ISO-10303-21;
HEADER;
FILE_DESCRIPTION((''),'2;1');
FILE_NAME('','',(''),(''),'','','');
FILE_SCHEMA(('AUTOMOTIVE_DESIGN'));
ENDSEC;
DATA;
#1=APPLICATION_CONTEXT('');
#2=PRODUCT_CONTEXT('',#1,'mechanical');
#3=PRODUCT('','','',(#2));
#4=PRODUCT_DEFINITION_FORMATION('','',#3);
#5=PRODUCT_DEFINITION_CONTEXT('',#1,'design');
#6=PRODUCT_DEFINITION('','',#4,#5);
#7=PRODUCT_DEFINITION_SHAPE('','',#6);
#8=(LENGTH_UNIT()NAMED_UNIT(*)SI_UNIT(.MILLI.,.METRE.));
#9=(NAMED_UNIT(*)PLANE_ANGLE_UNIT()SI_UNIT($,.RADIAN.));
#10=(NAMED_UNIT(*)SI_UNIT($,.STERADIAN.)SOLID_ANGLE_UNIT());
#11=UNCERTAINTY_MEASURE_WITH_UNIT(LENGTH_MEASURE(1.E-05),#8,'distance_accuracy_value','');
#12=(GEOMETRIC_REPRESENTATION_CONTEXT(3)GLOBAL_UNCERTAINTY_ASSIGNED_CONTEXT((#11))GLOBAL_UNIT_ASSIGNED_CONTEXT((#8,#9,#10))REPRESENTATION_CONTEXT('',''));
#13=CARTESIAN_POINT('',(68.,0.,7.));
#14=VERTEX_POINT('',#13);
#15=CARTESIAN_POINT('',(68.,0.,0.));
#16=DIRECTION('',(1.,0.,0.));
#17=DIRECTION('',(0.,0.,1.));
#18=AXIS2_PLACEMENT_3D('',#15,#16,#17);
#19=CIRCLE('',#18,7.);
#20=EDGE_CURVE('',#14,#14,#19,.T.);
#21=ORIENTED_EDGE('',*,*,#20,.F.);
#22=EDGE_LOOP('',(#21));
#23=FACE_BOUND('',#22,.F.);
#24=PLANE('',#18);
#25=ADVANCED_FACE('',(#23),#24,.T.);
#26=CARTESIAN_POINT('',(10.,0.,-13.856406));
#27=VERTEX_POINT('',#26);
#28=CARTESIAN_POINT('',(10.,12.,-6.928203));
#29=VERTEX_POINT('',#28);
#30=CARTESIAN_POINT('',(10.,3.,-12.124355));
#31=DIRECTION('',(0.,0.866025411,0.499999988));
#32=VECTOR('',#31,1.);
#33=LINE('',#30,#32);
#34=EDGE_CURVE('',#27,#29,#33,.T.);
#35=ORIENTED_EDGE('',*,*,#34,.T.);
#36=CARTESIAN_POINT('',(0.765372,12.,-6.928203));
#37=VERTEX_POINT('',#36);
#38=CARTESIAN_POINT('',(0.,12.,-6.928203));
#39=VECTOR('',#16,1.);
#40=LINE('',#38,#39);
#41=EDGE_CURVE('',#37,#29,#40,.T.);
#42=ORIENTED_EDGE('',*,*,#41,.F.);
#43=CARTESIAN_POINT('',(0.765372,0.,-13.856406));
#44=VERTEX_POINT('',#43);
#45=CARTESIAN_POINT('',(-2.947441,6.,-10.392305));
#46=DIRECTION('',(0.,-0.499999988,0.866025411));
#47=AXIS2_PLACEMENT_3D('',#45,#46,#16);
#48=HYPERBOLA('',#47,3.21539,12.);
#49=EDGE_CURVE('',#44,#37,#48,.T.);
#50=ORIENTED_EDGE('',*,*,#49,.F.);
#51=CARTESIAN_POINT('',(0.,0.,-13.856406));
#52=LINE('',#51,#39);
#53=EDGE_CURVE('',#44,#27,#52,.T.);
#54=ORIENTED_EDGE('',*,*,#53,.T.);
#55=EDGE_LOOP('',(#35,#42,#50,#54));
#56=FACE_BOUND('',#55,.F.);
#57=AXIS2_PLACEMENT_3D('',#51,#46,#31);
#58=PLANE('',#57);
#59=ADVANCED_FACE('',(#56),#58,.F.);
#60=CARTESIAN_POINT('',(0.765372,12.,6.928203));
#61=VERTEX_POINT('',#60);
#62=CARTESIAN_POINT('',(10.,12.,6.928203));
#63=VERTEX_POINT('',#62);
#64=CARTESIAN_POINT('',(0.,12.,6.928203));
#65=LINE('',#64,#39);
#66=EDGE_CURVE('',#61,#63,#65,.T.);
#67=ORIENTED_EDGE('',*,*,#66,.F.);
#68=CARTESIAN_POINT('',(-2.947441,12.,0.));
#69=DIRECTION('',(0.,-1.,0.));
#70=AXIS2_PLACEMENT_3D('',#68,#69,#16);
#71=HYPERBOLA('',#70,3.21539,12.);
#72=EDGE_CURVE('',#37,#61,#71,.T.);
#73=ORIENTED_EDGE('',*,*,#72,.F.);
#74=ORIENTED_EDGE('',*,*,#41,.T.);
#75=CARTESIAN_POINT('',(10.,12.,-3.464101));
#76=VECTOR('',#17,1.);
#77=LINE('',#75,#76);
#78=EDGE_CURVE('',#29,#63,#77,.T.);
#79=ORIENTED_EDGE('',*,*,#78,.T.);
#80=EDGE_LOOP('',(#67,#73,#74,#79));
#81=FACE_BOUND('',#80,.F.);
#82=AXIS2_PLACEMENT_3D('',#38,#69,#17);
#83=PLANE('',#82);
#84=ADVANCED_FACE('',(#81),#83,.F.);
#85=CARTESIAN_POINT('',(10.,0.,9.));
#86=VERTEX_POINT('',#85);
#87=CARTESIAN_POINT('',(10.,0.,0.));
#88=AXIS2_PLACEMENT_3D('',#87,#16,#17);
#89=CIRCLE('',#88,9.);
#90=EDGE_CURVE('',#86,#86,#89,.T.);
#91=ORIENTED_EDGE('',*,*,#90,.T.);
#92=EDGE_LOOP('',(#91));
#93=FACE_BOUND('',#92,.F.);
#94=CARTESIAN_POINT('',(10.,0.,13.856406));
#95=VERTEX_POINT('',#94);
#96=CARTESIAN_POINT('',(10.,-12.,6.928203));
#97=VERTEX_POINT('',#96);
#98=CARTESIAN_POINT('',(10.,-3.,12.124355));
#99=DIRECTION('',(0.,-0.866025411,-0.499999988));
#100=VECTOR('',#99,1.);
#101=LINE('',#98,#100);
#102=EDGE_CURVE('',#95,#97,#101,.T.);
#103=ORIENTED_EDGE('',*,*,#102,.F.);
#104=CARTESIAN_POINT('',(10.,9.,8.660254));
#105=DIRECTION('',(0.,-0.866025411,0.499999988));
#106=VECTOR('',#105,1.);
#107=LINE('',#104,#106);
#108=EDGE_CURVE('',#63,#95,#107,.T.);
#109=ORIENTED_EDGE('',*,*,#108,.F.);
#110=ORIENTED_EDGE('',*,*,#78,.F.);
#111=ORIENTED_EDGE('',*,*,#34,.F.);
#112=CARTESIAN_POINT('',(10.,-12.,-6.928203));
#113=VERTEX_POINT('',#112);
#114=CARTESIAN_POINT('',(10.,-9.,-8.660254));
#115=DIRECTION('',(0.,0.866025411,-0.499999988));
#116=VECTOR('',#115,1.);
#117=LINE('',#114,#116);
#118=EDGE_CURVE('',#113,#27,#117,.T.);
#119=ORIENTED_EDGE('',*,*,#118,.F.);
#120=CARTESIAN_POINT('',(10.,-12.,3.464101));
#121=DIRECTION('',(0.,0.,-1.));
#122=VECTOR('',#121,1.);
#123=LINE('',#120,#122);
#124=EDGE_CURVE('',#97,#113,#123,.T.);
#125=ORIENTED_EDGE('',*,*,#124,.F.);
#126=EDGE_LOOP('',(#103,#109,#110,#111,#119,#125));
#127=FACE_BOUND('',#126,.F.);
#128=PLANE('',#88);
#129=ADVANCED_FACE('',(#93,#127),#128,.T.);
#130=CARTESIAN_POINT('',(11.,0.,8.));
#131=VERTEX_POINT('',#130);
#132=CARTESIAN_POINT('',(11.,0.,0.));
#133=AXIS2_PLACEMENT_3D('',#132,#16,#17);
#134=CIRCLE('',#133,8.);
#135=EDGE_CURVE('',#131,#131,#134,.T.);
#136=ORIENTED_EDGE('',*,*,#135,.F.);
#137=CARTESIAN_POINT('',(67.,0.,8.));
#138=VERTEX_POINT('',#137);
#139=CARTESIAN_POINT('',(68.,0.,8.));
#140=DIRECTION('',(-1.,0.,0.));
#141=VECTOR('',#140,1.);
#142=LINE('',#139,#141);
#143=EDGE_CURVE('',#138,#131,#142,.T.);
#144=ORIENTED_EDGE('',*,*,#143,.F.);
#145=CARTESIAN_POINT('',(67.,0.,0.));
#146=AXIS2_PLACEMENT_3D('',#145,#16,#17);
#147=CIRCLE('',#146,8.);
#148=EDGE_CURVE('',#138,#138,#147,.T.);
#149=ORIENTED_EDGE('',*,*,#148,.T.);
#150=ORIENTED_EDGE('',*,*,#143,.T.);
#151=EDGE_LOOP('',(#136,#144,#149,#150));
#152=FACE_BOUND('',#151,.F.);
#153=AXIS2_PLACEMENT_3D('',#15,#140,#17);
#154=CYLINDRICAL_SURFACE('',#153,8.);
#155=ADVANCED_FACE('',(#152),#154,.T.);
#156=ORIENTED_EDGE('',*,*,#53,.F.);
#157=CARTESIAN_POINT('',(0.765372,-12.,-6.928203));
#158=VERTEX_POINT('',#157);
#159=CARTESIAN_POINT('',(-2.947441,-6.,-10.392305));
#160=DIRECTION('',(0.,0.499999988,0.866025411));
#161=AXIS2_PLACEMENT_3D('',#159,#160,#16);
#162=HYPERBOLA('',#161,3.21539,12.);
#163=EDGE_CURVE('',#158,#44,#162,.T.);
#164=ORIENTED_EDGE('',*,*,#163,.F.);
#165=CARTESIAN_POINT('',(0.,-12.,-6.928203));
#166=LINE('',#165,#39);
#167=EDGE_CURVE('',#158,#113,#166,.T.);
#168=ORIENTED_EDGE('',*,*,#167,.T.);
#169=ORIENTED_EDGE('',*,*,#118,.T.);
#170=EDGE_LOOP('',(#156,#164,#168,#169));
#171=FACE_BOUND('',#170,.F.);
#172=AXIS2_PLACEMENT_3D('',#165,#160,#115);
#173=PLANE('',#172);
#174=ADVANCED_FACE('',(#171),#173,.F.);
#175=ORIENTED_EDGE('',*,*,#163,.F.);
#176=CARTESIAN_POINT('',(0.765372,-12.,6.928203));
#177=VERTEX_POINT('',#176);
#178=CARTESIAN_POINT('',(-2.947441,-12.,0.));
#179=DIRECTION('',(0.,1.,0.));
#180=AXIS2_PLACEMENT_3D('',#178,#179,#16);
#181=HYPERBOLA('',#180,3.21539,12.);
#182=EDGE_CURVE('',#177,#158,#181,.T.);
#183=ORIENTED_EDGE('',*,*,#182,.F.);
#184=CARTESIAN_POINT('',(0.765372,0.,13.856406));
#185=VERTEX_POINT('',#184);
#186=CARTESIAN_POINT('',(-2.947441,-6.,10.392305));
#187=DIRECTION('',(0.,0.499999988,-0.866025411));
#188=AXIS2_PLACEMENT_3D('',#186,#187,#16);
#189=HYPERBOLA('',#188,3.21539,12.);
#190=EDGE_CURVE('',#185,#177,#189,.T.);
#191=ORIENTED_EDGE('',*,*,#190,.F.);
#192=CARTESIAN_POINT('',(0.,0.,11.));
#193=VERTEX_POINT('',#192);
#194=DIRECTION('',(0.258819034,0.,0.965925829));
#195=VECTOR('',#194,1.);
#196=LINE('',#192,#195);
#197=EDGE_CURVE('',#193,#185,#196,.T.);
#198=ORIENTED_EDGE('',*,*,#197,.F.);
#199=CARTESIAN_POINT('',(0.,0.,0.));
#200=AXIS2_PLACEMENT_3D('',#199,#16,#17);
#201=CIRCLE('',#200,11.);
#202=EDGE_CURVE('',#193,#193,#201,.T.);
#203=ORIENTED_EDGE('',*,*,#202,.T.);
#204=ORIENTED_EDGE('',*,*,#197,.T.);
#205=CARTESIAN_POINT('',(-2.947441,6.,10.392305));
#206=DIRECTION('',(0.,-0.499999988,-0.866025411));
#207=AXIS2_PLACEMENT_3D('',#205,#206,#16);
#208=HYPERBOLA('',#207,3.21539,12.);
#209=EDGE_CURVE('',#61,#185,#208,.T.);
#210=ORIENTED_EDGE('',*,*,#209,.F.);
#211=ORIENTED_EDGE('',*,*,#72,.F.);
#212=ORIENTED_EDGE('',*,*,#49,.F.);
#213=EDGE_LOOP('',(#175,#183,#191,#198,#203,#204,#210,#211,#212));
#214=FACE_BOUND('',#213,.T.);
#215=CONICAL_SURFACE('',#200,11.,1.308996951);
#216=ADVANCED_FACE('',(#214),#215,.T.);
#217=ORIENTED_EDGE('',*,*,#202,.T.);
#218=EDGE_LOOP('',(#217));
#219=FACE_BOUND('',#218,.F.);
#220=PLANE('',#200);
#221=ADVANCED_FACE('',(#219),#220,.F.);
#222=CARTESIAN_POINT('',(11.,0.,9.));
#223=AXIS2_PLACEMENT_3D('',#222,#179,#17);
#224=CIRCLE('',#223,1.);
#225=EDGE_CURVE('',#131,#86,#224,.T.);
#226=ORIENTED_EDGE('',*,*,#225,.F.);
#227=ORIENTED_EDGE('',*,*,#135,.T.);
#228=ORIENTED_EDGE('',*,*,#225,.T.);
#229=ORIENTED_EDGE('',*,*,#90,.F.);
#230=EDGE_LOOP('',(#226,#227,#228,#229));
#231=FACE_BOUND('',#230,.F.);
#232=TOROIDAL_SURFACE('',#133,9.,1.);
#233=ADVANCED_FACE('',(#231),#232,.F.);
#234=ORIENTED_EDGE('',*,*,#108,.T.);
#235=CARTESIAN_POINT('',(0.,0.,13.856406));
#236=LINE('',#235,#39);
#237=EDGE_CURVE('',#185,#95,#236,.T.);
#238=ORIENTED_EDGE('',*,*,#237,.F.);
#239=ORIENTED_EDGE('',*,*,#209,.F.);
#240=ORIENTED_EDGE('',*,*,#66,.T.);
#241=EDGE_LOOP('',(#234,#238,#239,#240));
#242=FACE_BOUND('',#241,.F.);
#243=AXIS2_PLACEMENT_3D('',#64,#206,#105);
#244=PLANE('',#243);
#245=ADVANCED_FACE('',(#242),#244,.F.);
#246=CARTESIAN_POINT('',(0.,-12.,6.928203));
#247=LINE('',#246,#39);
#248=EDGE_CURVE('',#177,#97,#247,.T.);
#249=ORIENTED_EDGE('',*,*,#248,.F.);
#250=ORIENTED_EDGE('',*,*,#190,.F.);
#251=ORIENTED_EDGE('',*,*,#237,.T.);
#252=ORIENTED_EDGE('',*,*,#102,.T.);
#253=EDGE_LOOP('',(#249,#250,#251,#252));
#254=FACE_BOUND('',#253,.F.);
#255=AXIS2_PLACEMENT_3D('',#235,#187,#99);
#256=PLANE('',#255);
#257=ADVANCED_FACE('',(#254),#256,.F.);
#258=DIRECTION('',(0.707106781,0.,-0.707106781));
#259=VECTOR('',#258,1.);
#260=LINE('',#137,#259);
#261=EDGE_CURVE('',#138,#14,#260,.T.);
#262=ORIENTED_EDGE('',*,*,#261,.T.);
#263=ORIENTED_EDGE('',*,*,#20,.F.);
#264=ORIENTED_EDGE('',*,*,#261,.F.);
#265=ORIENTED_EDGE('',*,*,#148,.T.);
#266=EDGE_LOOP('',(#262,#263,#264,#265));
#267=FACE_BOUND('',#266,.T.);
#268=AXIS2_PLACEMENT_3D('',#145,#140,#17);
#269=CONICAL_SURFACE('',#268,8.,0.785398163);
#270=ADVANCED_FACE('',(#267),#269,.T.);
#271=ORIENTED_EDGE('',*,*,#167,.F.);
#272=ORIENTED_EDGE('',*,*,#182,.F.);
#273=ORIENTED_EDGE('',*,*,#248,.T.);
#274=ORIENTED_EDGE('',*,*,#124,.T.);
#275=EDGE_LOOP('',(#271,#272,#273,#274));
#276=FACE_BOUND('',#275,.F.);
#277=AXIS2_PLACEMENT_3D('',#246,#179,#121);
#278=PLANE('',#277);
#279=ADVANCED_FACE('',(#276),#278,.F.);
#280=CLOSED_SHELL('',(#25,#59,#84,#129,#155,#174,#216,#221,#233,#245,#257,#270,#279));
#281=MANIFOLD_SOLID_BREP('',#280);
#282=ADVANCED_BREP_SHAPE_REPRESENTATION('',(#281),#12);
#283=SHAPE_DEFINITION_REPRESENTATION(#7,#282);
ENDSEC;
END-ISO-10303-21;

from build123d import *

# Parameters (mm, degrees)
F2_R     = 14
F3_DEPTH = 25
F4_SIZE  = 1
F5_R     = 1


with BuildPart() as f1:
    # F0 (on Front) → F1 (revolve)
    with BuildSketch(Plane.XZ):
        Polygon((0, 14), (0, 0), (68, 0), (68, 8), (10, 8), (10, 14), align=None)
    revolve(axis=Axis((34, 0, 0), (1, 0, 0)))

    # F2 (on face) → F3 (cut)
    with BuildSketch(Plane(origin=(0, 0, 0), x_dir=(0, -1, 0), z_dir=(-1, 0, 0))):
        Circle(F2_R)
        Polygon((-12, 6.928203), (0, 13.856406), (12, 6.928203), (12, -6.928203), (0, -13.856406), (-12, -6.928203), align=None, mode=Mode.SUBTRACT)
    extrude(amount=-F3_DEPTH, mode=Mode.SUBTRACT)

    # F4
    f4_edges = [f1.edges().sort_by_distance(p)[0] for p in [
        (68, 0, -8),
    ]]
    chamfer(f4_edges, length=F4_SIZE)

    # F5
    f5_edges = [f1.edges().sort_by_distance(p)[0] for p in [
        (10, 0, -8),
    ]]
    fillet(f5_edges, radius=F5_R)

    # F6 (on Front) → F7 (revolve, cut)
    with BuildSketch(Plane.XZ):
        Polygon((0, 26.713991), (0, 11), (4.210551, 26.713991), align=None)
    revolve(axis=Axis((44.15636, 0, 0), (1, 0, 0)), mode=Mode.SUBTRACT)


solid = f1.part
